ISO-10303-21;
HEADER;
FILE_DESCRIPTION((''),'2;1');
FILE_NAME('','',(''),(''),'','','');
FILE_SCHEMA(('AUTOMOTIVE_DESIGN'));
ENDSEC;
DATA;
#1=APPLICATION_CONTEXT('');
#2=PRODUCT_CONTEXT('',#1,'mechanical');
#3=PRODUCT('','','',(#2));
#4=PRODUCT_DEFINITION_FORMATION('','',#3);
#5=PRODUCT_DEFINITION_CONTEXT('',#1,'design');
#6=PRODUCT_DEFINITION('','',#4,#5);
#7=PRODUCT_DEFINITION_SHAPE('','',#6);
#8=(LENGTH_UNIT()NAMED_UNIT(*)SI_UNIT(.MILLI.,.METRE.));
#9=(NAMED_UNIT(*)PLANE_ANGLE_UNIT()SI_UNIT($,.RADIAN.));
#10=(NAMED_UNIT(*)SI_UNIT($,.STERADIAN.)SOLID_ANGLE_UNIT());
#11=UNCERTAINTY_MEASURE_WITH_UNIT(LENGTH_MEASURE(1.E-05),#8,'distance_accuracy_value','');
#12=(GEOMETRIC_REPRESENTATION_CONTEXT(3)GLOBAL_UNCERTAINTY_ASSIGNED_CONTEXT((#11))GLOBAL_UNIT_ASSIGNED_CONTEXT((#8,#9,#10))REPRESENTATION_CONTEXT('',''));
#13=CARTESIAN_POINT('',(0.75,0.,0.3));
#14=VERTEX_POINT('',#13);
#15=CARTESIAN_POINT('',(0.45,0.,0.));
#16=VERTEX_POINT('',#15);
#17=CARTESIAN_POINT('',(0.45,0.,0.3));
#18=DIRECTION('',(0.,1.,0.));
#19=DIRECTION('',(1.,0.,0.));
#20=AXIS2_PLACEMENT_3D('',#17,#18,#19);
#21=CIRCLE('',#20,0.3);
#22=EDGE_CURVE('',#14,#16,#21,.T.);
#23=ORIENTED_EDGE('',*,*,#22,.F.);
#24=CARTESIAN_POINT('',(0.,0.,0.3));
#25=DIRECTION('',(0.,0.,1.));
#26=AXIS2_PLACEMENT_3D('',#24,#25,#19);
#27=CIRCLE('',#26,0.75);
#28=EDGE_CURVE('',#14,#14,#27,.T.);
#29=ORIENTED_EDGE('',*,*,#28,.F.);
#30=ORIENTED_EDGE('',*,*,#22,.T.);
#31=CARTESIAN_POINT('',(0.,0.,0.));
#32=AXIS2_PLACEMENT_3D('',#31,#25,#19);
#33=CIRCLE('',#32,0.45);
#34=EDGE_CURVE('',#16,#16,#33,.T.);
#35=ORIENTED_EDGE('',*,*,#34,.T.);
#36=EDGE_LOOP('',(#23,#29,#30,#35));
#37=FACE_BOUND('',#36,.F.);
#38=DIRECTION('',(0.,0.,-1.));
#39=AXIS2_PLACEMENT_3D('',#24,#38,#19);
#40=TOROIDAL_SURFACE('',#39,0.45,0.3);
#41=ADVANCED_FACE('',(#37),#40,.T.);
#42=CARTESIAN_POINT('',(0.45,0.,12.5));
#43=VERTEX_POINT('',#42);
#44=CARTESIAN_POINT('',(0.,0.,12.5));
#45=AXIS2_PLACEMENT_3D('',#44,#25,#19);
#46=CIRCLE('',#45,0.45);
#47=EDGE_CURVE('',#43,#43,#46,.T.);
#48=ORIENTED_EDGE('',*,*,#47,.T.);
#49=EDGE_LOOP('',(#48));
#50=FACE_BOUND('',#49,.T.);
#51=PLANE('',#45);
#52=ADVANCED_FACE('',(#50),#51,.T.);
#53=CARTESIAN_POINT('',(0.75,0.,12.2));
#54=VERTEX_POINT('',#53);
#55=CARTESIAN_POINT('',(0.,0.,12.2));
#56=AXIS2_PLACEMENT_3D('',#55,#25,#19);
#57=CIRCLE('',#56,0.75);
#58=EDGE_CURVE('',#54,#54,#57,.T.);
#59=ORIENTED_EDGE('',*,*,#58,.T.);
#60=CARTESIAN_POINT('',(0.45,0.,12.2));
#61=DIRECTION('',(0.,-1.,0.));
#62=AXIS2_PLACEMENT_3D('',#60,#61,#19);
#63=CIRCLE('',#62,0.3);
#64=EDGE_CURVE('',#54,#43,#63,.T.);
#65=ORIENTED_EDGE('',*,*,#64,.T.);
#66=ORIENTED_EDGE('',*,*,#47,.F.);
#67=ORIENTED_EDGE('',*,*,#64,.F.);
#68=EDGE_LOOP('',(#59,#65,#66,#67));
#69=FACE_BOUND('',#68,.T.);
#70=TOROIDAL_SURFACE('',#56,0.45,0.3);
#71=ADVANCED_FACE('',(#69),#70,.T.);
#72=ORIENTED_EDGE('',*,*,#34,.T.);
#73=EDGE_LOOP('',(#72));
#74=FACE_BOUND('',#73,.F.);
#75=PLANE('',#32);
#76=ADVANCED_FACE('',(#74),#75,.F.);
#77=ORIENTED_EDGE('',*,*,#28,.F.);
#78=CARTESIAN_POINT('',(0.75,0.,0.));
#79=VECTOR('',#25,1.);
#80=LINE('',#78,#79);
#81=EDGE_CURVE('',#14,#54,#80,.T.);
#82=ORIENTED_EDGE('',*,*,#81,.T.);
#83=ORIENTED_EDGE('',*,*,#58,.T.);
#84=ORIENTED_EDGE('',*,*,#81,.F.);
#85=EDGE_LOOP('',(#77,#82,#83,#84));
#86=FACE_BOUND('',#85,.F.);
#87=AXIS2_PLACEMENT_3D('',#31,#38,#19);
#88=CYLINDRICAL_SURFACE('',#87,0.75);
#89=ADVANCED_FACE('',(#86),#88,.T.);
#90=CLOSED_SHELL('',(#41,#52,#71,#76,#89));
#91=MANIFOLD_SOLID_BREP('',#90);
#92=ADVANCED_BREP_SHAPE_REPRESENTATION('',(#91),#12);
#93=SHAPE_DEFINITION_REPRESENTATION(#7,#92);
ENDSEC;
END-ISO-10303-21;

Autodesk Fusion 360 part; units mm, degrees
sketch "Sketch1" plane through (0, 0, 0) normal (0, 0, 1) x (1, 0, 0)
  circle A0 centre (0, 0) radius 0.75
  dimension "d1" = 1.5
extrude "Extrude1" add sketch "Sketch1" along normal blind 12.5
fillet "Fillet1" radius 0.3 2 edges at (-0.6992, -0.2712, 12.5) (-0.6992, -0.2712, 0)
